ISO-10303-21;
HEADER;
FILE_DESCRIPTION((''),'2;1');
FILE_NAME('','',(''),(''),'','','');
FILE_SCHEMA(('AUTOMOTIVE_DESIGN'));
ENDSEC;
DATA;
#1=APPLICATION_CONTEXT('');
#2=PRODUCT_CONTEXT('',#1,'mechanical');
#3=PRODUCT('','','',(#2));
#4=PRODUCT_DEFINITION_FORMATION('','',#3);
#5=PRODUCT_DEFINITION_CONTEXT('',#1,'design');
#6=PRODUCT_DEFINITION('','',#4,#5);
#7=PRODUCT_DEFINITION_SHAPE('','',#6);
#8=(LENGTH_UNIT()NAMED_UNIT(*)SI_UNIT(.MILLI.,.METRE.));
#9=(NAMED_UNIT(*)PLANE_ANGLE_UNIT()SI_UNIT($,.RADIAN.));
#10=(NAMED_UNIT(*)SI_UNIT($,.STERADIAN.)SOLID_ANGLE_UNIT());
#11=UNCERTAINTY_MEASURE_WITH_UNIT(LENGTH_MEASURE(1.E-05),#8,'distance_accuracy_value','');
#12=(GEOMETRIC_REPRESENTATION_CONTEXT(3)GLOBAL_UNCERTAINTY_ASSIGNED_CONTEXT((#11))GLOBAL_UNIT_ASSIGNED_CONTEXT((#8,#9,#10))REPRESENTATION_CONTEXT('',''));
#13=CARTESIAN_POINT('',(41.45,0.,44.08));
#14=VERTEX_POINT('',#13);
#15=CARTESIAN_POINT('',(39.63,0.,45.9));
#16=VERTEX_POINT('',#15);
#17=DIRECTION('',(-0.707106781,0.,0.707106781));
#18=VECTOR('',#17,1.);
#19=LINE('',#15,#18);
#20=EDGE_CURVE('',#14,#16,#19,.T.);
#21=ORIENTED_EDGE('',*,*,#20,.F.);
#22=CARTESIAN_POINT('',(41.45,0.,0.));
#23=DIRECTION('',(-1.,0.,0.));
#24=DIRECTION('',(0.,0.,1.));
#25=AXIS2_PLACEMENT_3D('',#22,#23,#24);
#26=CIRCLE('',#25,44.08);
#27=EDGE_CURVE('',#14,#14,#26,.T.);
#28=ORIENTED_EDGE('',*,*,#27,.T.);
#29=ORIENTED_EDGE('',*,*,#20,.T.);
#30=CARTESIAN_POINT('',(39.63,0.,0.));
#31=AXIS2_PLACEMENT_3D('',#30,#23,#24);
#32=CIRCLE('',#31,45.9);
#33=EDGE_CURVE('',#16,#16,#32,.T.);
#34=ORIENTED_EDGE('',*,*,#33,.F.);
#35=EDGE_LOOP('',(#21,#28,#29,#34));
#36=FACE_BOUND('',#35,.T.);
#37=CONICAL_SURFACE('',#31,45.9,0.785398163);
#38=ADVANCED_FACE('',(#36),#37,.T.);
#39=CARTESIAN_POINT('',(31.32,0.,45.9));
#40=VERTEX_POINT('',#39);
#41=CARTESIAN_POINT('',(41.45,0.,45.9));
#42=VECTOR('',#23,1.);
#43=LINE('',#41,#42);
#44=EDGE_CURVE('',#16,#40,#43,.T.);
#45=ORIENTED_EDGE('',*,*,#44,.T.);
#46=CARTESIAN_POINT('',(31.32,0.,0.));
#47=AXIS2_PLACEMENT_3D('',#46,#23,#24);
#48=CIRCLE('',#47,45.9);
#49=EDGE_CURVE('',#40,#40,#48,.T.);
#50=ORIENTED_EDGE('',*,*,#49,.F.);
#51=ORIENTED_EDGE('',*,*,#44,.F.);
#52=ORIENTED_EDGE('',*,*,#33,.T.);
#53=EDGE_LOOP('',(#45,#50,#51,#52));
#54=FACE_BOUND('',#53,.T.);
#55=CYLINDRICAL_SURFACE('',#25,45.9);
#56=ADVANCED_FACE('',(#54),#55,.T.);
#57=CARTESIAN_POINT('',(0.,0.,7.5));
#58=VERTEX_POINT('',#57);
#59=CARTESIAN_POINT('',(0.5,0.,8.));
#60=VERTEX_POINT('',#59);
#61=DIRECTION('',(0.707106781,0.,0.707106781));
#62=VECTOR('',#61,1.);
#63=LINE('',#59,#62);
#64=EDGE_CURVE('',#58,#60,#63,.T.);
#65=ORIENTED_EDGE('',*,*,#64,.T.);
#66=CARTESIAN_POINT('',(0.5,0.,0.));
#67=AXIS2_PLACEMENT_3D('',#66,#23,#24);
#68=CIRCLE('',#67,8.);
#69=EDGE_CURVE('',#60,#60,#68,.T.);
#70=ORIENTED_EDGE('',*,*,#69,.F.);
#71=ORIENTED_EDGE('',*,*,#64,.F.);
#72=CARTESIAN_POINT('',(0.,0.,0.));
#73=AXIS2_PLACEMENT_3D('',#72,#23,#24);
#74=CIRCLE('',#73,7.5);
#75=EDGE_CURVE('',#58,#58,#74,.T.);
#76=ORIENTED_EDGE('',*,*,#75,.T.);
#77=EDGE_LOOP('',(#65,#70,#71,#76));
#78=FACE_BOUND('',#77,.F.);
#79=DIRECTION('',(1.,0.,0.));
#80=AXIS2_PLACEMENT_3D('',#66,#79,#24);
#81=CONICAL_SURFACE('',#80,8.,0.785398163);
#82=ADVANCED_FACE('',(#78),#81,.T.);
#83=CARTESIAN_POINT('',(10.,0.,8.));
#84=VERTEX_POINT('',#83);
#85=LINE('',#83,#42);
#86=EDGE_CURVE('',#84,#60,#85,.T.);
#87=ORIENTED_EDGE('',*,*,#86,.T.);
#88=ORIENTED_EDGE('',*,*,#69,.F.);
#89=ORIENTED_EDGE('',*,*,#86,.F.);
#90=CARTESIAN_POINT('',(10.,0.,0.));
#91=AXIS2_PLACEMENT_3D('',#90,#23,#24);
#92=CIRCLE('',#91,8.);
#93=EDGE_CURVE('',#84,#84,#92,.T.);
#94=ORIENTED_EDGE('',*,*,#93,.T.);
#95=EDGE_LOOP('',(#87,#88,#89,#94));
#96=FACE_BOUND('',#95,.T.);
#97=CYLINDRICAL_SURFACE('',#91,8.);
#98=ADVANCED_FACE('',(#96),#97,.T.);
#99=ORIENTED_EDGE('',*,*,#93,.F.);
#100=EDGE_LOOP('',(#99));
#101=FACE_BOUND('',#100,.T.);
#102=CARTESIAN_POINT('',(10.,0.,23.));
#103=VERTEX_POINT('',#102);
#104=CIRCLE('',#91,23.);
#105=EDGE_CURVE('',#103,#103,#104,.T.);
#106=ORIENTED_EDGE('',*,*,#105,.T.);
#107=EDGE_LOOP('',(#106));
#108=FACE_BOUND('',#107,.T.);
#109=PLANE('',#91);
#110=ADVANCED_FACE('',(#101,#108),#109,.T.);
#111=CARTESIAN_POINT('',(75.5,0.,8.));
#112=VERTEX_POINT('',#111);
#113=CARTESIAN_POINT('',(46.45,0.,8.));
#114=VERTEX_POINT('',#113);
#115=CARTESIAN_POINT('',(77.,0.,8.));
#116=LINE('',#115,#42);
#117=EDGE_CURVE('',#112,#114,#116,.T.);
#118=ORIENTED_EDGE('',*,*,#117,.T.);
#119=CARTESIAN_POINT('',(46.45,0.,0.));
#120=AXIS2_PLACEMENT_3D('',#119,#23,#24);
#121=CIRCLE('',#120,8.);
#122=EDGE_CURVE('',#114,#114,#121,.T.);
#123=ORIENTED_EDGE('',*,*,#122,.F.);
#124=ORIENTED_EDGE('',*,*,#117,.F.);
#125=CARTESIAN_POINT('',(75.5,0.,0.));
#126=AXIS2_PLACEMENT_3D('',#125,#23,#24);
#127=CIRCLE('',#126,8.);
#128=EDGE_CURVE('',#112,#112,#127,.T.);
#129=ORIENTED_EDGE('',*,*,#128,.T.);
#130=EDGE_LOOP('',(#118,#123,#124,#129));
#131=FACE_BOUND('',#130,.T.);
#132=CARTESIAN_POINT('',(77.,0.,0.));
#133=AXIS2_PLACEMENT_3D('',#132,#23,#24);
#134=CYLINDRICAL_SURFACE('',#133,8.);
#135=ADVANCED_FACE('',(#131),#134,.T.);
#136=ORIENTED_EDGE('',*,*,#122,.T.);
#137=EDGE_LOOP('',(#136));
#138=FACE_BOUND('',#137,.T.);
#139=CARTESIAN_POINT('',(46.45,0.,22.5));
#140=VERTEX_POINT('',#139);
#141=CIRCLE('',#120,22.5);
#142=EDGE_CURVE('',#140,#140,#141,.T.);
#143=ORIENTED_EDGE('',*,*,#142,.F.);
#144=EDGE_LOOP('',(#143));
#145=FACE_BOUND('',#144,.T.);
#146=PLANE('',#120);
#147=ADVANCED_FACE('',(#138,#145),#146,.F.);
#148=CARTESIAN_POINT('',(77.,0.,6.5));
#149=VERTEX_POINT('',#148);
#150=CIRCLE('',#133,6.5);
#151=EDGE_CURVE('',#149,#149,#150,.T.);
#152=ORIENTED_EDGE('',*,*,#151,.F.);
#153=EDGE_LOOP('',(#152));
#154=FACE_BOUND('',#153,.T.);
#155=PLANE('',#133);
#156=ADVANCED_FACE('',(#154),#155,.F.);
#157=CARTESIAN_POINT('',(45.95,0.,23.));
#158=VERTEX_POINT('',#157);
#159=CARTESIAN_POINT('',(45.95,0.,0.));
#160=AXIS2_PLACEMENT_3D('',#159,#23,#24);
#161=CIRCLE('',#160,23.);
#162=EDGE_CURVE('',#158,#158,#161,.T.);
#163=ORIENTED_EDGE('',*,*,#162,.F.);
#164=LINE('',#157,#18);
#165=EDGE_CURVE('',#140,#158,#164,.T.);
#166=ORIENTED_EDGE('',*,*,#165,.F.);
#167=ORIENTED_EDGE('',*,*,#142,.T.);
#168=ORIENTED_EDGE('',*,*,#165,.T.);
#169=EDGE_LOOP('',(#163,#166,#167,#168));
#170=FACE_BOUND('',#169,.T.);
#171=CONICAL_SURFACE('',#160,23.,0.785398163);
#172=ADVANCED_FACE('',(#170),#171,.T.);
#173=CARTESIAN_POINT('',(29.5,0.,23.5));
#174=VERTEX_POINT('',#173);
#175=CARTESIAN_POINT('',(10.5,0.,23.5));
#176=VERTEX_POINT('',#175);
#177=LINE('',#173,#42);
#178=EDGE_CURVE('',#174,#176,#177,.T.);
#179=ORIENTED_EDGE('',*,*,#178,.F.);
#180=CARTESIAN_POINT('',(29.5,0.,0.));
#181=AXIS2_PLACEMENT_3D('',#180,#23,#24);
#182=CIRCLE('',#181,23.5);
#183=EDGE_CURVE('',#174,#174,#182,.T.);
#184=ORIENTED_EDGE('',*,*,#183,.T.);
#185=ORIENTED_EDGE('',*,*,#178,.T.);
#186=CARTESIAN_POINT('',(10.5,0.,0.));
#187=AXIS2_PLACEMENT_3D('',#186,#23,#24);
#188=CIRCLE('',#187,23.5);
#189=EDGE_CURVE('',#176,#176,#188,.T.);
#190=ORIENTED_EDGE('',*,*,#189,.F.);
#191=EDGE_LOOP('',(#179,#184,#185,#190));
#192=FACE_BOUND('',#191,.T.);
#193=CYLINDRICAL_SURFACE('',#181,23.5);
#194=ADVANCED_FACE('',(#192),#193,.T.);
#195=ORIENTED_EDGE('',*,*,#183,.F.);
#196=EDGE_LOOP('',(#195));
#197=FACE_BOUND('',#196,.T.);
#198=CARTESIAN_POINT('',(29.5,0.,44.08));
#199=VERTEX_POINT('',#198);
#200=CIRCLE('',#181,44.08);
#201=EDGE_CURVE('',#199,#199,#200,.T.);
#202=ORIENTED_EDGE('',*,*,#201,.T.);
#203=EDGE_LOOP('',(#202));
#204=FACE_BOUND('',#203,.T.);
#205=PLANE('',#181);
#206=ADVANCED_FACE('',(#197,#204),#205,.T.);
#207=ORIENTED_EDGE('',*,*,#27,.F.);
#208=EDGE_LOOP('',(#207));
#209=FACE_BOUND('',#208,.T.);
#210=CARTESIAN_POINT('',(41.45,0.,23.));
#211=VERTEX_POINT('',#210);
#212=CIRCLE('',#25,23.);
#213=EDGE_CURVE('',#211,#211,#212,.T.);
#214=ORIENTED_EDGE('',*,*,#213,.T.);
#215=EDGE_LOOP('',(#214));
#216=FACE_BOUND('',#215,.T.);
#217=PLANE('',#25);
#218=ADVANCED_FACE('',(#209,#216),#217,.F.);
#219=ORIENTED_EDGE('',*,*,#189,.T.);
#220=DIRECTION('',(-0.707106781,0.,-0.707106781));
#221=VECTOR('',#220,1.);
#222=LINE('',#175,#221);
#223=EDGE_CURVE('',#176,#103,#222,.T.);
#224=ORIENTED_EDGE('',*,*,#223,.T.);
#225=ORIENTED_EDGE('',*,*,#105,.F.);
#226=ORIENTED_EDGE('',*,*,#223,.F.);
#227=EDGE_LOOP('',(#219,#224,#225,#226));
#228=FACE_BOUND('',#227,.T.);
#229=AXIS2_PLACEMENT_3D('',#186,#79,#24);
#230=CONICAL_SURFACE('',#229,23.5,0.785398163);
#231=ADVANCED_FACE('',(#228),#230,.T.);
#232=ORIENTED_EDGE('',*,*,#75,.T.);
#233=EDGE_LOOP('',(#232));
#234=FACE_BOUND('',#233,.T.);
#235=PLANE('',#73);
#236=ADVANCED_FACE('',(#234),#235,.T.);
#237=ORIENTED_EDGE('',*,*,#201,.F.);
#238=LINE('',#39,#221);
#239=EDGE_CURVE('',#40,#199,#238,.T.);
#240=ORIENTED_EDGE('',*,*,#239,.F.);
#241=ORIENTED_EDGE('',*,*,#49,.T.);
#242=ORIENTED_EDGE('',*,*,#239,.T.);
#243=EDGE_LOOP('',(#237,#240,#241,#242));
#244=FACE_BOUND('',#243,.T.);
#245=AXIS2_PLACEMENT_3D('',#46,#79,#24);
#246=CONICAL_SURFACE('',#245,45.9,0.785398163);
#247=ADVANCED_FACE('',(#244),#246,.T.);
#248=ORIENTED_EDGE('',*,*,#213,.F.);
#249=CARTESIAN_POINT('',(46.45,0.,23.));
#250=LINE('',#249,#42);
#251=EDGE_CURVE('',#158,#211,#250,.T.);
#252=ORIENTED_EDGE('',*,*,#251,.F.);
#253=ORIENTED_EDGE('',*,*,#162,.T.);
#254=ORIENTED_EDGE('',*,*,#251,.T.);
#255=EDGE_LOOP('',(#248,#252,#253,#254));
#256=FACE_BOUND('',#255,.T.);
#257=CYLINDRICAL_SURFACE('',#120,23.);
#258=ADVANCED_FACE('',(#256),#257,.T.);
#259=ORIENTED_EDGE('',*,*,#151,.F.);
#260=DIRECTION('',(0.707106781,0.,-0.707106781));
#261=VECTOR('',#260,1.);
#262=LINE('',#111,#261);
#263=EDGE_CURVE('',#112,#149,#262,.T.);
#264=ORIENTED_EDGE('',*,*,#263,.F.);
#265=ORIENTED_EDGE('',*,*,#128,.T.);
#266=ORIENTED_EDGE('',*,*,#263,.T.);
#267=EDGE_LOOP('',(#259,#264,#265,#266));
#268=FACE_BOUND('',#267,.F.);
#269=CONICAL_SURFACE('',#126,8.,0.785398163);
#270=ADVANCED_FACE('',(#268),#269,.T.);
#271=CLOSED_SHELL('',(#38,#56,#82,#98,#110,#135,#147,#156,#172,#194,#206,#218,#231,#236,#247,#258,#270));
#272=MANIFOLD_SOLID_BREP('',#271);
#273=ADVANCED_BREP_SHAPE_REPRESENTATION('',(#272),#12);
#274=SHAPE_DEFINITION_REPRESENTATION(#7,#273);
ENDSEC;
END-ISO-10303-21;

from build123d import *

# Parameters (mm, degrees)
F2_SIZE = 0.5
F3_SIZE = 1.5
F4_SIZE = 1.82


with BuildPart() as f1:
    # F0 (on Front) → F1 (revolve)
    with BuildSketch(Plane.XZ):
        Polygon((0, 8), (0, 0), (77, 0), (77, 8), (46.45, 8), (46.45, 23), (41.45, 23), (41.45, 45.9), (29.5, 45.9), (29.5, 23.5), (10, 23.5), (10, 8), align=None)
    revolve(axis=Axis((38.5, 0, 0), (-1, 0, 0)))

    # F2
    f2_edges = [f1.edges().sort_by_distance(p)[0] for p in [
        (0, 0, -8),
        (10, 0, -23.5),
        (46.45, 0, -23),
    ]]
    chamfer(f2_edges, length=F2_SIZE)

    # F3
    f3_edges = [f1.edges().sort_by_distance(p)[0] for p in [
        (77, 0, -8),
    ]]
    chamfer(f3_edges, length=F3_SIZE)

    # F4
    f4_edges = [f1.edges().sort_by_distance(p)[0] for p in [
        (41.45, 0, -45.9),
        (29.5, 0, -45.9),
    ]]
    chamfer(f4_edges, length=F4_SIZE)


solid = f1.part
